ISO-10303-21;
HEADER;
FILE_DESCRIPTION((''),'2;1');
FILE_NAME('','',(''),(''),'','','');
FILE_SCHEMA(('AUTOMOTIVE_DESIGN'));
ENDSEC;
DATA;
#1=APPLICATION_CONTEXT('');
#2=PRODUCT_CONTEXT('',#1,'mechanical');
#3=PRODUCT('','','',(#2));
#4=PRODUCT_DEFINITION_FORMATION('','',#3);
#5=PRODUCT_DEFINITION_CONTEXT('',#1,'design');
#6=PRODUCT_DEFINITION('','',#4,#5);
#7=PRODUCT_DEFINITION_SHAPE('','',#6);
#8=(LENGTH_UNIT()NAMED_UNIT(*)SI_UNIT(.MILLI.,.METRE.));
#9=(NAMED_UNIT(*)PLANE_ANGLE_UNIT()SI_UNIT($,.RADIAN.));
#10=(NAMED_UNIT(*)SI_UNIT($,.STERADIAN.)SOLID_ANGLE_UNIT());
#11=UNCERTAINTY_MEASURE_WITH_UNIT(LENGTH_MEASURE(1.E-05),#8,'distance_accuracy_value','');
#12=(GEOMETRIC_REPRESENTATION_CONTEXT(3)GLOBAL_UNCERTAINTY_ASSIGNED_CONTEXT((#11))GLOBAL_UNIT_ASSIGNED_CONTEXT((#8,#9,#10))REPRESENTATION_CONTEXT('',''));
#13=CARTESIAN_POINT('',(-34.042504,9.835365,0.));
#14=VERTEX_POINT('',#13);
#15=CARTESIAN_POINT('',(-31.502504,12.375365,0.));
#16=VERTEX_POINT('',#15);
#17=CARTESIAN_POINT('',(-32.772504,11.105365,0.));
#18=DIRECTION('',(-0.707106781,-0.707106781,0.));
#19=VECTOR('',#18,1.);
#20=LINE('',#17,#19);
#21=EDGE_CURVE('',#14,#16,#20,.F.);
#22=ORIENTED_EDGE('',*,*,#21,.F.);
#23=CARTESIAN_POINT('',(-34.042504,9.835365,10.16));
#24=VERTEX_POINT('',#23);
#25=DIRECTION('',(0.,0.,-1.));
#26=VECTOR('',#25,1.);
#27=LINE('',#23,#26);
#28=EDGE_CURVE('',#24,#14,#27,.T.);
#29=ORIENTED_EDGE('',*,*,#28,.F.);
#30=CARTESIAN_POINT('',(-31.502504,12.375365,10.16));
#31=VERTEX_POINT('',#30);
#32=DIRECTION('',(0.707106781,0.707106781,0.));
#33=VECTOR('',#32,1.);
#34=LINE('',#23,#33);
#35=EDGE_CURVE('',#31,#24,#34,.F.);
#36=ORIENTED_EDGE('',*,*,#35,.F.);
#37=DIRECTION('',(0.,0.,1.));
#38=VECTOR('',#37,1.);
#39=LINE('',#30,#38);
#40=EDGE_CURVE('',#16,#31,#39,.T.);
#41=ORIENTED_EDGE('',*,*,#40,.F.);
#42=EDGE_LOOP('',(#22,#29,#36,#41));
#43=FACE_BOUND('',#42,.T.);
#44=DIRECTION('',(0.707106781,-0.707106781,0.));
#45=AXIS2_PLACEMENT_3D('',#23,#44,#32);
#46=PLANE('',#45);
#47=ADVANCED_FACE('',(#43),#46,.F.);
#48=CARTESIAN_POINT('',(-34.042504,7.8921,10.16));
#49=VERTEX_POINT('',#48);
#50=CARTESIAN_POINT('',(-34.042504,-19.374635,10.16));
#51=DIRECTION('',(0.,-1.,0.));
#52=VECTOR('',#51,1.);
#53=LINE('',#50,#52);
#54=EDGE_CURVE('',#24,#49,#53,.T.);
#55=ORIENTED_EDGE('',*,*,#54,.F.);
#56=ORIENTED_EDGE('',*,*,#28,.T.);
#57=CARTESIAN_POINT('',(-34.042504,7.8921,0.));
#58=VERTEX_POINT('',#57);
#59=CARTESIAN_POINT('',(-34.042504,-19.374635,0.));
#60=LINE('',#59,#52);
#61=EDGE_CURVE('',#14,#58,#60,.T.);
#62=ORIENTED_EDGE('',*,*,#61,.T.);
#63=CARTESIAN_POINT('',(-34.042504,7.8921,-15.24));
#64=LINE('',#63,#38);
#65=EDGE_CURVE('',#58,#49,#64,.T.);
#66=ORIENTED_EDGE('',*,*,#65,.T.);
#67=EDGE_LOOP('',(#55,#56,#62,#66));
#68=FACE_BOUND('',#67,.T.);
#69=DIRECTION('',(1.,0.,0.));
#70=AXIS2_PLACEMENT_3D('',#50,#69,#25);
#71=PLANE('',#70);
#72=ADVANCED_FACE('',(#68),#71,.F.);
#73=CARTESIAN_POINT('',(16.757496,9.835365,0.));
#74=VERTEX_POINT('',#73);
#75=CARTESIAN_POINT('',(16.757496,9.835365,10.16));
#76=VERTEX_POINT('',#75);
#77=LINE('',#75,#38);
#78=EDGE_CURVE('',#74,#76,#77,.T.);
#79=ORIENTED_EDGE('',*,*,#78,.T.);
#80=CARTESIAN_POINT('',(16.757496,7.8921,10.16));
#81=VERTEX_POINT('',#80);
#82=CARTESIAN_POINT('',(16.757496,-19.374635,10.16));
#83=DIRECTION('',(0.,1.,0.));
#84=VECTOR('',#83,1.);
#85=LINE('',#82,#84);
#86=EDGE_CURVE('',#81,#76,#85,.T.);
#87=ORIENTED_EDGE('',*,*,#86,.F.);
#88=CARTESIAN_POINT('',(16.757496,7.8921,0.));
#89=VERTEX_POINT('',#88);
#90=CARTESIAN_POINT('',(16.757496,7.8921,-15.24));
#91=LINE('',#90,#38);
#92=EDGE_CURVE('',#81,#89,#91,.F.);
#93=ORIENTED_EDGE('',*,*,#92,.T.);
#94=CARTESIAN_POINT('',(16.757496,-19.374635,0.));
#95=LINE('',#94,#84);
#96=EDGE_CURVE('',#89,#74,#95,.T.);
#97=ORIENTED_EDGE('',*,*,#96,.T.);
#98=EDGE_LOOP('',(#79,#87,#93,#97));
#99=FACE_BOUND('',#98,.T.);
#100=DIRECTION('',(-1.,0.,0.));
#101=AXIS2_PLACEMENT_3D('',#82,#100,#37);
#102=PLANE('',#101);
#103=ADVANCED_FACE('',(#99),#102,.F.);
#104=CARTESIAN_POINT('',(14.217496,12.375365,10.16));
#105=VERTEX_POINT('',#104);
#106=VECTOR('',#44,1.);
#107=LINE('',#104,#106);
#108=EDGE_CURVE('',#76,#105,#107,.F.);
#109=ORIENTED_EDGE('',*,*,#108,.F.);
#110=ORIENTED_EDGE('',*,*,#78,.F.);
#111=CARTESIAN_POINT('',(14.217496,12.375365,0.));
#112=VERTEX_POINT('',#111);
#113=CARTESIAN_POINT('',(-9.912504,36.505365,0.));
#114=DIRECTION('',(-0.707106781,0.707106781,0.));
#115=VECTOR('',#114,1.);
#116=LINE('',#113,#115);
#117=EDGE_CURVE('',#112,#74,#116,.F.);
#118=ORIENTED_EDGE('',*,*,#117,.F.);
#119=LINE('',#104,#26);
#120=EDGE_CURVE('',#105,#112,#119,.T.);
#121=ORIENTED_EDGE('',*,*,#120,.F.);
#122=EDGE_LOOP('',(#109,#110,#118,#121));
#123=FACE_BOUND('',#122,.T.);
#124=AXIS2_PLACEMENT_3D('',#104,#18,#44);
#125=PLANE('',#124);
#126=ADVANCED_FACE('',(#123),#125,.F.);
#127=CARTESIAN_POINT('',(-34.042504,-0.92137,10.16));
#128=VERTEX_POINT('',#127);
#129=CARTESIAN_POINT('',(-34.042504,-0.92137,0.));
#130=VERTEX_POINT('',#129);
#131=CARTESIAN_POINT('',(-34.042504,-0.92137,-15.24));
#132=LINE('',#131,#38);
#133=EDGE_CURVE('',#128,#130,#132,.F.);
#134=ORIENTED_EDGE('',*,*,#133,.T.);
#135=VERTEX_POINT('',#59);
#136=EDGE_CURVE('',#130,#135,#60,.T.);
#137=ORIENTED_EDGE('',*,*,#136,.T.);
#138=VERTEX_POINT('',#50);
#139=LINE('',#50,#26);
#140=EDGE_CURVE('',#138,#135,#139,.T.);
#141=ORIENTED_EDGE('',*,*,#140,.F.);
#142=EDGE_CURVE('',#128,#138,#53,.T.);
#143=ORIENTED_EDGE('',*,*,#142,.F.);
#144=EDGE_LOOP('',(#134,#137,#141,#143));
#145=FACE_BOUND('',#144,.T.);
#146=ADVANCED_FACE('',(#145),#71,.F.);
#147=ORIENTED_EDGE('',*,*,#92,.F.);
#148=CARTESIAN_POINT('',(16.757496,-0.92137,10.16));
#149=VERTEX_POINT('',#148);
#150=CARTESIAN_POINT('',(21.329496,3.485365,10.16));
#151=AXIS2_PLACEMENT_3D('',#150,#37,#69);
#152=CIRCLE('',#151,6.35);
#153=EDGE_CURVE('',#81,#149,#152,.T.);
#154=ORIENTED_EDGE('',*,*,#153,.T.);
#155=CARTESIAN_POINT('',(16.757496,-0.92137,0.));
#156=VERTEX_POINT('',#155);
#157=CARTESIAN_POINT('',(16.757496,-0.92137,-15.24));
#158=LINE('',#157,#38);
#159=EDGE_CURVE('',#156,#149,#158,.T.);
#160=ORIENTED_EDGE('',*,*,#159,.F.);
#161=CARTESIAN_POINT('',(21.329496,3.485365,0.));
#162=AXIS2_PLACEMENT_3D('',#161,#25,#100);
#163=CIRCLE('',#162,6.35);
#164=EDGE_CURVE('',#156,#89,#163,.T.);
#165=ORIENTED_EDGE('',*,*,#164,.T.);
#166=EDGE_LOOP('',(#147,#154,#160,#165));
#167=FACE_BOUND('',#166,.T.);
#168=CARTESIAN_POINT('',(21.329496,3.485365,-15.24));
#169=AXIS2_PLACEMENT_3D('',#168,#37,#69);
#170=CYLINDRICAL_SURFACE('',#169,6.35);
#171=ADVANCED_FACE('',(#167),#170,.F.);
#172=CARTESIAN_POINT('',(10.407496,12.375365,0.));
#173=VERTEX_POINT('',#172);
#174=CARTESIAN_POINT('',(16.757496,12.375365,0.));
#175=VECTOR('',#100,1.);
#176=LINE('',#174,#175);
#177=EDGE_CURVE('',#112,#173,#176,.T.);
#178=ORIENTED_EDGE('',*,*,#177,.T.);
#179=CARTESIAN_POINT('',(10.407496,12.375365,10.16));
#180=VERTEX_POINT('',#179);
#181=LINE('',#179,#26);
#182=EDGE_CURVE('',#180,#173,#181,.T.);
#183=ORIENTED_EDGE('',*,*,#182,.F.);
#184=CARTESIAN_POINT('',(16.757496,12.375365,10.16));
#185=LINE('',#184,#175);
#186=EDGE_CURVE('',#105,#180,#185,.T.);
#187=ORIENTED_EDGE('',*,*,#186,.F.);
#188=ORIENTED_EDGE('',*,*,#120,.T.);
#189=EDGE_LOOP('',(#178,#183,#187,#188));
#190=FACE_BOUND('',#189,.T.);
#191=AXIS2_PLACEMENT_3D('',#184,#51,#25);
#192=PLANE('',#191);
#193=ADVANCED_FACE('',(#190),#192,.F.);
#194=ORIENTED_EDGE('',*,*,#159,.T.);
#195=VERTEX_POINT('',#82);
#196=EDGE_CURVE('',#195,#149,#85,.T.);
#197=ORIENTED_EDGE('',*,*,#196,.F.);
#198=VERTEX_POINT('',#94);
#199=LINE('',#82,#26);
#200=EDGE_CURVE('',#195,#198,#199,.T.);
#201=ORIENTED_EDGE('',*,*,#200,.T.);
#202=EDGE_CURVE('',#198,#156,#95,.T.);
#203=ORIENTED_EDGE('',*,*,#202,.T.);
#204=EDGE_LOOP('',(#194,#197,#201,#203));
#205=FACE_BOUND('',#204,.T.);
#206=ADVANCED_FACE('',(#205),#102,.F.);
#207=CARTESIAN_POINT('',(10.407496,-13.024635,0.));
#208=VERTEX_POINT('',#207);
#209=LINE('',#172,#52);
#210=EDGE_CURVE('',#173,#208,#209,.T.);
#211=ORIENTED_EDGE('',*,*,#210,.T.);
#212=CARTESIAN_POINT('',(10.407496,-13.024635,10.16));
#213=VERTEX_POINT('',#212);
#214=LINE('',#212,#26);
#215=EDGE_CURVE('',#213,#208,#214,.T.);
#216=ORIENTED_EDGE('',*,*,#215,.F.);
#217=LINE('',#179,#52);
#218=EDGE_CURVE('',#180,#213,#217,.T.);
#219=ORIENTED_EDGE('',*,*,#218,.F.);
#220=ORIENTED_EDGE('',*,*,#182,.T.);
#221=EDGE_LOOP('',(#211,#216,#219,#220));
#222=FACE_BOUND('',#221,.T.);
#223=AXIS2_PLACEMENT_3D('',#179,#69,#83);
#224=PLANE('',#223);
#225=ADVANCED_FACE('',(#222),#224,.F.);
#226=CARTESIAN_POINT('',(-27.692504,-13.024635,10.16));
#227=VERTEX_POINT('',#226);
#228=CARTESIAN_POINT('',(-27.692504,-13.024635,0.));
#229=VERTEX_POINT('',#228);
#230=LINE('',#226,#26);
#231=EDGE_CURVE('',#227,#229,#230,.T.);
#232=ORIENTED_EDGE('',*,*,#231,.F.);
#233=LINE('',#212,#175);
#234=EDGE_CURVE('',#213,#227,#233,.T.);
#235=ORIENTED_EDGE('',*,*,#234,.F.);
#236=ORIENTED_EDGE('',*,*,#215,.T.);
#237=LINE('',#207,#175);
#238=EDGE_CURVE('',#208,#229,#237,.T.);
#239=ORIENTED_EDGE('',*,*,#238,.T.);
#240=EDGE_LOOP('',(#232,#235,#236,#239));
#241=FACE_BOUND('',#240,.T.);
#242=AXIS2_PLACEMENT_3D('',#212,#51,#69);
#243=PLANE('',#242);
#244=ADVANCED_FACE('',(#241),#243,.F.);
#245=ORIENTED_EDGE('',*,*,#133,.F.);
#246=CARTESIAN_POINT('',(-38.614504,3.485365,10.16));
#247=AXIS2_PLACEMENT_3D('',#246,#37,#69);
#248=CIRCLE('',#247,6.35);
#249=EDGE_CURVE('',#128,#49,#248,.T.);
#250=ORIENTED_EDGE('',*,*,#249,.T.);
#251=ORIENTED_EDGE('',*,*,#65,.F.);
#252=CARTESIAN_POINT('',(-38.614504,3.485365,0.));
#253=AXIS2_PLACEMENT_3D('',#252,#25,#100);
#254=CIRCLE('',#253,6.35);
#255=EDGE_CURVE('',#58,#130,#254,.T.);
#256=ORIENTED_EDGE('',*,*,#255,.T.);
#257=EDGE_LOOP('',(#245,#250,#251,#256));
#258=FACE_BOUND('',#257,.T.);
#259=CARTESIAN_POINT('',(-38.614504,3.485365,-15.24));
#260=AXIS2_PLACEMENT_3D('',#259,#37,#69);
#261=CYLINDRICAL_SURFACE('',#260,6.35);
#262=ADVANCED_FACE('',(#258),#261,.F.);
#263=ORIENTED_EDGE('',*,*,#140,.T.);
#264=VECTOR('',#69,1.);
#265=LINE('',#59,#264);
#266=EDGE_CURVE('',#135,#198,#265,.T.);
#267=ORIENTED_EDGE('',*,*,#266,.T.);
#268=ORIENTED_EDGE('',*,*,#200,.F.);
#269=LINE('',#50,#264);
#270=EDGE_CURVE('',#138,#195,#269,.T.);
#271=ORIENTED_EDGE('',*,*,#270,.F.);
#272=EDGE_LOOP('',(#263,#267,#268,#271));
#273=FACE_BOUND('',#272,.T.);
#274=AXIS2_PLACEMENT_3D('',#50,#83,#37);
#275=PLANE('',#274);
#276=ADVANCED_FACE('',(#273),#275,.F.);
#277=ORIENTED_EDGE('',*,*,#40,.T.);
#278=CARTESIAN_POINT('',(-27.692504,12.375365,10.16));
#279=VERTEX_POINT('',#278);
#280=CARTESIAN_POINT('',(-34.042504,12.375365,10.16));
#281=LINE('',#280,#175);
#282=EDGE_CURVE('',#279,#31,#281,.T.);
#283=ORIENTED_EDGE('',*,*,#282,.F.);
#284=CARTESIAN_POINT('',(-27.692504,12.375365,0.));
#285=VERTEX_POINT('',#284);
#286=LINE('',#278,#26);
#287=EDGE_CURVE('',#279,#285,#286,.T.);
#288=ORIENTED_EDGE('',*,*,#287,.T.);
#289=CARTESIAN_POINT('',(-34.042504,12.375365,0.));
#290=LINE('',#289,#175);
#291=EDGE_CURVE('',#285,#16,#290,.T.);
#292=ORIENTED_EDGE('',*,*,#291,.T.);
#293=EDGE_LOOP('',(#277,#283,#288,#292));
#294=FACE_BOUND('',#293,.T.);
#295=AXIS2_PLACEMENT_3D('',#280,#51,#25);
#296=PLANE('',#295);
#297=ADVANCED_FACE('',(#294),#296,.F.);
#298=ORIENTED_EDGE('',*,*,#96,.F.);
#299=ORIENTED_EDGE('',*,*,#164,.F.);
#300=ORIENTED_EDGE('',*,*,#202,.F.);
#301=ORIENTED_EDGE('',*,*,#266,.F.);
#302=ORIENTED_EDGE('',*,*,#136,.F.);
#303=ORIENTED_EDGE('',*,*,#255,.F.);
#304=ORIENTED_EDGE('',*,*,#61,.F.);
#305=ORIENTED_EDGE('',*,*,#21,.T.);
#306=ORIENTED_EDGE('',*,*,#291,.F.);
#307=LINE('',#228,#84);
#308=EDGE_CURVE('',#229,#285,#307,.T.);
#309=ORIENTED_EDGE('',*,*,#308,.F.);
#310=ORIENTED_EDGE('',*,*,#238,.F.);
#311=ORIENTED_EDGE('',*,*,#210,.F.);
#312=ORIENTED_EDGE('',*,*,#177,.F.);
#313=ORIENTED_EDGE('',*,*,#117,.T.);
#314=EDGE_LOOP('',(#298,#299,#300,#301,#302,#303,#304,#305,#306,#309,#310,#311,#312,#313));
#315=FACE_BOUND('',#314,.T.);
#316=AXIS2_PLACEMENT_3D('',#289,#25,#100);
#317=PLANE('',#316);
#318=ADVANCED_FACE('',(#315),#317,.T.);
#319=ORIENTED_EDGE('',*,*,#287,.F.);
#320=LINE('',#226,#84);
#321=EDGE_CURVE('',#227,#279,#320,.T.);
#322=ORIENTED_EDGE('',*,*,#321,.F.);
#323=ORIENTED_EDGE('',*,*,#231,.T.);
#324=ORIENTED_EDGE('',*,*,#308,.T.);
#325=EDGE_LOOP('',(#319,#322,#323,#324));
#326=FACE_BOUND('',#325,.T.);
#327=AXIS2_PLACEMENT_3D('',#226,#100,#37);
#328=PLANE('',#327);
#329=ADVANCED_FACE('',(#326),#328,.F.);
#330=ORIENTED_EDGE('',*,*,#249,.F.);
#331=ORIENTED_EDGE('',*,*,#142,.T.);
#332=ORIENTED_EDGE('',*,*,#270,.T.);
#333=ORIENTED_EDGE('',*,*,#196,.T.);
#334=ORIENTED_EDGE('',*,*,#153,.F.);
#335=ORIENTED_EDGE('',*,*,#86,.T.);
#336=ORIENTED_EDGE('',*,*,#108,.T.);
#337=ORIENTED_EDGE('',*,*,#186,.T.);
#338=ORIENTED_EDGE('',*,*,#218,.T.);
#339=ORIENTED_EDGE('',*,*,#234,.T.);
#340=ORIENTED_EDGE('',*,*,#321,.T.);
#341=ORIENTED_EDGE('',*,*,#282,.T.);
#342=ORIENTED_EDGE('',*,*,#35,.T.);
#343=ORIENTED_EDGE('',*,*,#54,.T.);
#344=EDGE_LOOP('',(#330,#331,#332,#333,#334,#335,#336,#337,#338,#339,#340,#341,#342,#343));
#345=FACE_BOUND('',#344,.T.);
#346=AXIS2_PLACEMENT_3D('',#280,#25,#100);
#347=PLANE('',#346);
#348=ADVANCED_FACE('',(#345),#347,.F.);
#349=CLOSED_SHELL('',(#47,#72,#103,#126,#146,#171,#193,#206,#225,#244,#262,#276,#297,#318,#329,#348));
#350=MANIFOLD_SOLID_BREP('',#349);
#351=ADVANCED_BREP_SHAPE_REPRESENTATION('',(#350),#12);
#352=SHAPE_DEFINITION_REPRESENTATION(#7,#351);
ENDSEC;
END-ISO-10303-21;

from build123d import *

# Parameters (mm, degrees)
BOSS_EXTRUDE1_DEPTH = 10.16
SKETCH2_R           = 6.35
CUT_EXTRUDE1_DEPTH  = 25.4
CHAMFER1_SIZE       = 2.54
CHAMFER2_SIZE       = 2.54


with BuildPart() as part:
    # Sketch1 → Boss-Extrude1 (new body)
    with BuildSketch(Plane.XY):
        Polygon((-34.042504308, -19.37463512), (16.757495692, -19.37463512), (16.757495692, 12.37536488), (10.407495692, 12.37536488), (10.407495692, -13.02463512), (-27.692504308, -13.02463512), (-27.692504308, 12.37536488), (-34.042504308, 12.37536488), align=None)
    extrude(amount=BOSS_EXTRUDE1_DEPTH)

    # Sketch2 → Cut-Extrude1 (cut)
    with BuildSketch(Plane.XY.offset(10.16)):
        with Locations((-38.614504308, 3.48536488)):
            Circle(SKETCH2_R)
        with Locations((21.329495692, 3.48536488)):
            Circle(SKETCH2_R)
    extrude(amount=-CUT_EXTRUDE1_DEPTH, mode=Mode.SUBTRACT)

    # Chamfer1
    chamfer1_edges = [part.edges().sort_by_distance(p)[0] for p in [
        (16.757495692, 12.37536488, 5.08),
    ]]
    chamfer(chamfer1_edges, length=CHAMFER1_SIZE)

    # Chamfer2
    chamfer2_edges = [part.edges().sort_by_distance(p)[0] for p in [
        (-34.042504308, 12.37536488, 5.08),
    ]]
    chamfer(chamfer2_edges, length=CHAMFER2_SIZE)


solid = part.part
